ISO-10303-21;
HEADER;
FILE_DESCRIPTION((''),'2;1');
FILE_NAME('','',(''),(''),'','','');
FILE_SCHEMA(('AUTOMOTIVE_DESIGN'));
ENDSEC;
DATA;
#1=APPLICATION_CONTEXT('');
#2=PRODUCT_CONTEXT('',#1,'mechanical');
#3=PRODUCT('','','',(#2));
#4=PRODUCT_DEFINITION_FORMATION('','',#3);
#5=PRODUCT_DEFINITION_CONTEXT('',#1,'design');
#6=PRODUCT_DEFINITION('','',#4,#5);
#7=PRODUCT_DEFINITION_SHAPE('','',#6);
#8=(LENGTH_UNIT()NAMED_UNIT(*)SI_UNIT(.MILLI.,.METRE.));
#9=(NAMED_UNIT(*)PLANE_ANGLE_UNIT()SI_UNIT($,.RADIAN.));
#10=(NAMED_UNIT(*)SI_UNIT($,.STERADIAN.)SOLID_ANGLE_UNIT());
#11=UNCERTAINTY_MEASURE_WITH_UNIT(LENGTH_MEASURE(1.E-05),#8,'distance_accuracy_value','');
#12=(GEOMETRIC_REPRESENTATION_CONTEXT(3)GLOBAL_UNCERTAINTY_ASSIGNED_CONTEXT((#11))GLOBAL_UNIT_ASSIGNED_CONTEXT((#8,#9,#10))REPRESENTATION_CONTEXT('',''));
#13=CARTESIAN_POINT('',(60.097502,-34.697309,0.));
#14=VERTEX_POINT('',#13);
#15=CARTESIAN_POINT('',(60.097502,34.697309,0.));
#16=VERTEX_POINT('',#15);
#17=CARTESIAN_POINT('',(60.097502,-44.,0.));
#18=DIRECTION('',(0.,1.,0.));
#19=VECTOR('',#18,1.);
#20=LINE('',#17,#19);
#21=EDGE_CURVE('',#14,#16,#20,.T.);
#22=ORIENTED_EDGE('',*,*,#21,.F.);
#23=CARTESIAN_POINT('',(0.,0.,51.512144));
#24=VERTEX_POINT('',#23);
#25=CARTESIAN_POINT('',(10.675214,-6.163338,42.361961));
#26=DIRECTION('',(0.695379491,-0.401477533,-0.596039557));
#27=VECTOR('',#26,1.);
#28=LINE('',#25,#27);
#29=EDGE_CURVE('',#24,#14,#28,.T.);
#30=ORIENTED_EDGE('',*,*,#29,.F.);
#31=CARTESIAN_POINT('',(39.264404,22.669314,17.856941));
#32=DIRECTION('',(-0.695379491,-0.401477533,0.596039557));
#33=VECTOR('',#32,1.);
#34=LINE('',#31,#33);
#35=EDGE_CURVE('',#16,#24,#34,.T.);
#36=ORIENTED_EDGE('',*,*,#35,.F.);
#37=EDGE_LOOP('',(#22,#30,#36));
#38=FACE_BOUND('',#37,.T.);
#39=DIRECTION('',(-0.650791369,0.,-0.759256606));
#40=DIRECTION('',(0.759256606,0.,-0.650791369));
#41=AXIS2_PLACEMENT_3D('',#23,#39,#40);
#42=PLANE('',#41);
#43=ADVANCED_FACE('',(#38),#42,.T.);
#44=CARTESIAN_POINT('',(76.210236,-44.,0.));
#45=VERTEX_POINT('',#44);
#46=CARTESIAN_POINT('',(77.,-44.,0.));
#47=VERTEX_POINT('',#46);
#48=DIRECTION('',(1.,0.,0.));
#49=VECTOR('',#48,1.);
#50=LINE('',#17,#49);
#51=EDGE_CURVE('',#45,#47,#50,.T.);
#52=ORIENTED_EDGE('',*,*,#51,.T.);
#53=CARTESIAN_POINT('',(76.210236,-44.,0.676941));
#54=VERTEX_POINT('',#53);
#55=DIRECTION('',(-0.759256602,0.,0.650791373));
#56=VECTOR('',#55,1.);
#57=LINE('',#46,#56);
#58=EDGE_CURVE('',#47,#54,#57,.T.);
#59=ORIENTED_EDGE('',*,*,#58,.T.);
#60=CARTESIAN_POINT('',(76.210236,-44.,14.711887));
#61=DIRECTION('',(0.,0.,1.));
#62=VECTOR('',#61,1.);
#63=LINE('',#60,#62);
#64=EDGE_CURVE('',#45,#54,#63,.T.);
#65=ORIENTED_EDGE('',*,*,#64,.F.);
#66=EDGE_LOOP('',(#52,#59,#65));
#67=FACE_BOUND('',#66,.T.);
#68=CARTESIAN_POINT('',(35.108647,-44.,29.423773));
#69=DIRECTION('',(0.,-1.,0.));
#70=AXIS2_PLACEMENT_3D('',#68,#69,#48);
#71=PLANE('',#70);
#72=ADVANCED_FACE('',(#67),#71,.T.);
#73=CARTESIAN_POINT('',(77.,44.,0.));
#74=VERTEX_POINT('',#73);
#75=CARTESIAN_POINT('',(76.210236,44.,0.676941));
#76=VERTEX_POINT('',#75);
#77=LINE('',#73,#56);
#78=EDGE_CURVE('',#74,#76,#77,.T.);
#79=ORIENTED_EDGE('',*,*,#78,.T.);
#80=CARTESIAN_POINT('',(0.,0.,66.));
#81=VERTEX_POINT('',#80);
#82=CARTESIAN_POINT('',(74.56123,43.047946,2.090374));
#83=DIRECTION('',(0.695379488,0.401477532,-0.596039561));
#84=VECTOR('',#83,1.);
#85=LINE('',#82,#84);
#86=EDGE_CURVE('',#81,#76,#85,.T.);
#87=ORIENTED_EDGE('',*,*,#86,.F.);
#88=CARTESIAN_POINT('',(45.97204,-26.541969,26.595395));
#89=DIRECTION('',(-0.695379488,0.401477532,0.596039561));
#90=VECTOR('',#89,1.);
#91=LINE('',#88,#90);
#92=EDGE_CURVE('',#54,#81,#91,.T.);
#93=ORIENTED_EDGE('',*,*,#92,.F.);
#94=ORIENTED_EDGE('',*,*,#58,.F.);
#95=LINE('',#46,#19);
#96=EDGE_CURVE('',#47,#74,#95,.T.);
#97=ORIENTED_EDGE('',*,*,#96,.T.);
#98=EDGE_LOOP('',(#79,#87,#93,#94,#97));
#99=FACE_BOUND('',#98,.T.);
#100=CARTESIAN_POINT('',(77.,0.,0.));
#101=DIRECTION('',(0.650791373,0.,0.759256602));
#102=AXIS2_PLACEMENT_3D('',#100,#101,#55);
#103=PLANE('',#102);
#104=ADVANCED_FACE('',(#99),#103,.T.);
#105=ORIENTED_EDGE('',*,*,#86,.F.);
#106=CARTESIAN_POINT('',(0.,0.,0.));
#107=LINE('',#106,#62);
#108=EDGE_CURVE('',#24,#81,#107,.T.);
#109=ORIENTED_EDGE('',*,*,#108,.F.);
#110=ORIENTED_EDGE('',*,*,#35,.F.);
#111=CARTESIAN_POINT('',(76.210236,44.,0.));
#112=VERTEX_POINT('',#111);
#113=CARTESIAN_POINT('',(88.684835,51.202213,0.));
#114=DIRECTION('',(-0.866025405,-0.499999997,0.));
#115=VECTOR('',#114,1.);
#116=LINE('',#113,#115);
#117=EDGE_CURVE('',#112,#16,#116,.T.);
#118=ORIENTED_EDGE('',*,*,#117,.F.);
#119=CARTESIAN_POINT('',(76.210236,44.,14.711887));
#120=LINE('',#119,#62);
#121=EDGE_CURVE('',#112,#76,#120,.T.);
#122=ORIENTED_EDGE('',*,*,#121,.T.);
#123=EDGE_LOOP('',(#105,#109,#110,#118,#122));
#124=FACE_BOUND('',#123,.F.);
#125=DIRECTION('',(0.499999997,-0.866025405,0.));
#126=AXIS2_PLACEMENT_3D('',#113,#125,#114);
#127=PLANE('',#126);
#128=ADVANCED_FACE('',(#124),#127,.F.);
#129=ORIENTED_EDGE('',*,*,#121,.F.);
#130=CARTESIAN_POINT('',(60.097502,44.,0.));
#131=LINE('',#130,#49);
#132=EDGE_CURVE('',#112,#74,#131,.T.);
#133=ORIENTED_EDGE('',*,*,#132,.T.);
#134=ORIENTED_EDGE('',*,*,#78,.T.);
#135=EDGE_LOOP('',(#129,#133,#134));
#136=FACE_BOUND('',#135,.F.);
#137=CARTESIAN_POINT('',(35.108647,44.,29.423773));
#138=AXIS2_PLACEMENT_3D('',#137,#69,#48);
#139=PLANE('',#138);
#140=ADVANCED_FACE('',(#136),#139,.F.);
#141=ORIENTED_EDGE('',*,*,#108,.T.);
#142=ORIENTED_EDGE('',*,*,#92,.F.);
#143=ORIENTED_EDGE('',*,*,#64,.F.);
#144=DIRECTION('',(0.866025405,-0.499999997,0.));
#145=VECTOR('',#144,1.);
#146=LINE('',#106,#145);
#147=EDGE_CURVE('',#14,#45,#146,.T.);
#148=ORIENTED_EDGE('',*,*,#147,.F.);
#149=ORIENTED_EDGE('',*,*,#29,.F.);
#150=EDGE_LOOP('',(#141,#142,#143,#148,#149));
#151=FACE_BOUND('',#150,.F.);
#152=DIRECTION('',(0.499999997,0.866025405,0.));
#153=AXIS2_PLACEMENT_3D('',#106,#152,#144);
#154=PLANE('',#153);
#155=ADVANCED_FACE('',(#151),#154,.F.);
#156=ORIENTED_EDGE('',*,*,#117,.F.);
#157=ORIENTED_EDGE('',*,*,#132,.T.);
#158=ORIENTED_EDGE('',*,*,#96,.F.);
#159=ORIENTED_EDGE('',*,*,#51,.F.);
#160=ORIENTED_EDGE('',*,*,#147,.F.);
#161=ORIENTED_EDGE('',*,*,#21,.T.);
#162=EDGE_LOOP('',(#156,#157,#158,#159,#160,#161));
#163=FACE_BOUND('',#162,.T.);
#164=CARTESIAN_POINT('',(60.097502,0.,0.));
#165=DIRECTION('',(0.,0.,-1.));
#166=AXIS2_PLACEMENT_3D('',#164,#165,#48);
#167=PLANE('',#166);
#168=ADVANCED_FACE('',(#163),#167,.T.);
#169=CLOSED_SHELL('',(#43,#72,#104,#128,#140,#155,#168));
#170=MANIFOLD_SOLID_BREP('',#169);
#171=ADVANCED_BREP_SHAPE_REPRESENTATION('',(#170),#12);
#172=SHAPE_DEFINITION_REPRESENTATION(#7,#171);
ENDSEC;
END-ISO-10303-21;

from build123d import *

# Parameters (mm, degrees)
F1_DEPTH = 33
F2_DEPTH = 44
F4_DEPTH = 66.001


with BuildPart() as f1:
    # F0 (on Front) → F1 (new body, symmetric)
    with BuildSketch(Plane.XZ):
        Polygon((77, 0), (0, 66), (0, 51.512144), (60.097502, 0), align=None)
    extrude(amount=F1_DEPTH, both=True)

    # F0 (on Front) → F2 (join, symmetric)
    with BuildSketch(Plane.XZ):
        Polygon((77, 0), (0, 66), (0, 51.512144), (60.097502, 0), align=None)
    extrude(amount=F2_DEPTH, both=True)

    # F3 (on Top) → F4 (intersect, through all)
    with BuildSketch(Plane.XY):
        Polygon((88.684835, -51.202213), (88.684835, 51.202213), (0, 0), align=None)
    extrude(amount=F4_DEPTH, mode=Mode.INTERSECT)


solid = f1.part
